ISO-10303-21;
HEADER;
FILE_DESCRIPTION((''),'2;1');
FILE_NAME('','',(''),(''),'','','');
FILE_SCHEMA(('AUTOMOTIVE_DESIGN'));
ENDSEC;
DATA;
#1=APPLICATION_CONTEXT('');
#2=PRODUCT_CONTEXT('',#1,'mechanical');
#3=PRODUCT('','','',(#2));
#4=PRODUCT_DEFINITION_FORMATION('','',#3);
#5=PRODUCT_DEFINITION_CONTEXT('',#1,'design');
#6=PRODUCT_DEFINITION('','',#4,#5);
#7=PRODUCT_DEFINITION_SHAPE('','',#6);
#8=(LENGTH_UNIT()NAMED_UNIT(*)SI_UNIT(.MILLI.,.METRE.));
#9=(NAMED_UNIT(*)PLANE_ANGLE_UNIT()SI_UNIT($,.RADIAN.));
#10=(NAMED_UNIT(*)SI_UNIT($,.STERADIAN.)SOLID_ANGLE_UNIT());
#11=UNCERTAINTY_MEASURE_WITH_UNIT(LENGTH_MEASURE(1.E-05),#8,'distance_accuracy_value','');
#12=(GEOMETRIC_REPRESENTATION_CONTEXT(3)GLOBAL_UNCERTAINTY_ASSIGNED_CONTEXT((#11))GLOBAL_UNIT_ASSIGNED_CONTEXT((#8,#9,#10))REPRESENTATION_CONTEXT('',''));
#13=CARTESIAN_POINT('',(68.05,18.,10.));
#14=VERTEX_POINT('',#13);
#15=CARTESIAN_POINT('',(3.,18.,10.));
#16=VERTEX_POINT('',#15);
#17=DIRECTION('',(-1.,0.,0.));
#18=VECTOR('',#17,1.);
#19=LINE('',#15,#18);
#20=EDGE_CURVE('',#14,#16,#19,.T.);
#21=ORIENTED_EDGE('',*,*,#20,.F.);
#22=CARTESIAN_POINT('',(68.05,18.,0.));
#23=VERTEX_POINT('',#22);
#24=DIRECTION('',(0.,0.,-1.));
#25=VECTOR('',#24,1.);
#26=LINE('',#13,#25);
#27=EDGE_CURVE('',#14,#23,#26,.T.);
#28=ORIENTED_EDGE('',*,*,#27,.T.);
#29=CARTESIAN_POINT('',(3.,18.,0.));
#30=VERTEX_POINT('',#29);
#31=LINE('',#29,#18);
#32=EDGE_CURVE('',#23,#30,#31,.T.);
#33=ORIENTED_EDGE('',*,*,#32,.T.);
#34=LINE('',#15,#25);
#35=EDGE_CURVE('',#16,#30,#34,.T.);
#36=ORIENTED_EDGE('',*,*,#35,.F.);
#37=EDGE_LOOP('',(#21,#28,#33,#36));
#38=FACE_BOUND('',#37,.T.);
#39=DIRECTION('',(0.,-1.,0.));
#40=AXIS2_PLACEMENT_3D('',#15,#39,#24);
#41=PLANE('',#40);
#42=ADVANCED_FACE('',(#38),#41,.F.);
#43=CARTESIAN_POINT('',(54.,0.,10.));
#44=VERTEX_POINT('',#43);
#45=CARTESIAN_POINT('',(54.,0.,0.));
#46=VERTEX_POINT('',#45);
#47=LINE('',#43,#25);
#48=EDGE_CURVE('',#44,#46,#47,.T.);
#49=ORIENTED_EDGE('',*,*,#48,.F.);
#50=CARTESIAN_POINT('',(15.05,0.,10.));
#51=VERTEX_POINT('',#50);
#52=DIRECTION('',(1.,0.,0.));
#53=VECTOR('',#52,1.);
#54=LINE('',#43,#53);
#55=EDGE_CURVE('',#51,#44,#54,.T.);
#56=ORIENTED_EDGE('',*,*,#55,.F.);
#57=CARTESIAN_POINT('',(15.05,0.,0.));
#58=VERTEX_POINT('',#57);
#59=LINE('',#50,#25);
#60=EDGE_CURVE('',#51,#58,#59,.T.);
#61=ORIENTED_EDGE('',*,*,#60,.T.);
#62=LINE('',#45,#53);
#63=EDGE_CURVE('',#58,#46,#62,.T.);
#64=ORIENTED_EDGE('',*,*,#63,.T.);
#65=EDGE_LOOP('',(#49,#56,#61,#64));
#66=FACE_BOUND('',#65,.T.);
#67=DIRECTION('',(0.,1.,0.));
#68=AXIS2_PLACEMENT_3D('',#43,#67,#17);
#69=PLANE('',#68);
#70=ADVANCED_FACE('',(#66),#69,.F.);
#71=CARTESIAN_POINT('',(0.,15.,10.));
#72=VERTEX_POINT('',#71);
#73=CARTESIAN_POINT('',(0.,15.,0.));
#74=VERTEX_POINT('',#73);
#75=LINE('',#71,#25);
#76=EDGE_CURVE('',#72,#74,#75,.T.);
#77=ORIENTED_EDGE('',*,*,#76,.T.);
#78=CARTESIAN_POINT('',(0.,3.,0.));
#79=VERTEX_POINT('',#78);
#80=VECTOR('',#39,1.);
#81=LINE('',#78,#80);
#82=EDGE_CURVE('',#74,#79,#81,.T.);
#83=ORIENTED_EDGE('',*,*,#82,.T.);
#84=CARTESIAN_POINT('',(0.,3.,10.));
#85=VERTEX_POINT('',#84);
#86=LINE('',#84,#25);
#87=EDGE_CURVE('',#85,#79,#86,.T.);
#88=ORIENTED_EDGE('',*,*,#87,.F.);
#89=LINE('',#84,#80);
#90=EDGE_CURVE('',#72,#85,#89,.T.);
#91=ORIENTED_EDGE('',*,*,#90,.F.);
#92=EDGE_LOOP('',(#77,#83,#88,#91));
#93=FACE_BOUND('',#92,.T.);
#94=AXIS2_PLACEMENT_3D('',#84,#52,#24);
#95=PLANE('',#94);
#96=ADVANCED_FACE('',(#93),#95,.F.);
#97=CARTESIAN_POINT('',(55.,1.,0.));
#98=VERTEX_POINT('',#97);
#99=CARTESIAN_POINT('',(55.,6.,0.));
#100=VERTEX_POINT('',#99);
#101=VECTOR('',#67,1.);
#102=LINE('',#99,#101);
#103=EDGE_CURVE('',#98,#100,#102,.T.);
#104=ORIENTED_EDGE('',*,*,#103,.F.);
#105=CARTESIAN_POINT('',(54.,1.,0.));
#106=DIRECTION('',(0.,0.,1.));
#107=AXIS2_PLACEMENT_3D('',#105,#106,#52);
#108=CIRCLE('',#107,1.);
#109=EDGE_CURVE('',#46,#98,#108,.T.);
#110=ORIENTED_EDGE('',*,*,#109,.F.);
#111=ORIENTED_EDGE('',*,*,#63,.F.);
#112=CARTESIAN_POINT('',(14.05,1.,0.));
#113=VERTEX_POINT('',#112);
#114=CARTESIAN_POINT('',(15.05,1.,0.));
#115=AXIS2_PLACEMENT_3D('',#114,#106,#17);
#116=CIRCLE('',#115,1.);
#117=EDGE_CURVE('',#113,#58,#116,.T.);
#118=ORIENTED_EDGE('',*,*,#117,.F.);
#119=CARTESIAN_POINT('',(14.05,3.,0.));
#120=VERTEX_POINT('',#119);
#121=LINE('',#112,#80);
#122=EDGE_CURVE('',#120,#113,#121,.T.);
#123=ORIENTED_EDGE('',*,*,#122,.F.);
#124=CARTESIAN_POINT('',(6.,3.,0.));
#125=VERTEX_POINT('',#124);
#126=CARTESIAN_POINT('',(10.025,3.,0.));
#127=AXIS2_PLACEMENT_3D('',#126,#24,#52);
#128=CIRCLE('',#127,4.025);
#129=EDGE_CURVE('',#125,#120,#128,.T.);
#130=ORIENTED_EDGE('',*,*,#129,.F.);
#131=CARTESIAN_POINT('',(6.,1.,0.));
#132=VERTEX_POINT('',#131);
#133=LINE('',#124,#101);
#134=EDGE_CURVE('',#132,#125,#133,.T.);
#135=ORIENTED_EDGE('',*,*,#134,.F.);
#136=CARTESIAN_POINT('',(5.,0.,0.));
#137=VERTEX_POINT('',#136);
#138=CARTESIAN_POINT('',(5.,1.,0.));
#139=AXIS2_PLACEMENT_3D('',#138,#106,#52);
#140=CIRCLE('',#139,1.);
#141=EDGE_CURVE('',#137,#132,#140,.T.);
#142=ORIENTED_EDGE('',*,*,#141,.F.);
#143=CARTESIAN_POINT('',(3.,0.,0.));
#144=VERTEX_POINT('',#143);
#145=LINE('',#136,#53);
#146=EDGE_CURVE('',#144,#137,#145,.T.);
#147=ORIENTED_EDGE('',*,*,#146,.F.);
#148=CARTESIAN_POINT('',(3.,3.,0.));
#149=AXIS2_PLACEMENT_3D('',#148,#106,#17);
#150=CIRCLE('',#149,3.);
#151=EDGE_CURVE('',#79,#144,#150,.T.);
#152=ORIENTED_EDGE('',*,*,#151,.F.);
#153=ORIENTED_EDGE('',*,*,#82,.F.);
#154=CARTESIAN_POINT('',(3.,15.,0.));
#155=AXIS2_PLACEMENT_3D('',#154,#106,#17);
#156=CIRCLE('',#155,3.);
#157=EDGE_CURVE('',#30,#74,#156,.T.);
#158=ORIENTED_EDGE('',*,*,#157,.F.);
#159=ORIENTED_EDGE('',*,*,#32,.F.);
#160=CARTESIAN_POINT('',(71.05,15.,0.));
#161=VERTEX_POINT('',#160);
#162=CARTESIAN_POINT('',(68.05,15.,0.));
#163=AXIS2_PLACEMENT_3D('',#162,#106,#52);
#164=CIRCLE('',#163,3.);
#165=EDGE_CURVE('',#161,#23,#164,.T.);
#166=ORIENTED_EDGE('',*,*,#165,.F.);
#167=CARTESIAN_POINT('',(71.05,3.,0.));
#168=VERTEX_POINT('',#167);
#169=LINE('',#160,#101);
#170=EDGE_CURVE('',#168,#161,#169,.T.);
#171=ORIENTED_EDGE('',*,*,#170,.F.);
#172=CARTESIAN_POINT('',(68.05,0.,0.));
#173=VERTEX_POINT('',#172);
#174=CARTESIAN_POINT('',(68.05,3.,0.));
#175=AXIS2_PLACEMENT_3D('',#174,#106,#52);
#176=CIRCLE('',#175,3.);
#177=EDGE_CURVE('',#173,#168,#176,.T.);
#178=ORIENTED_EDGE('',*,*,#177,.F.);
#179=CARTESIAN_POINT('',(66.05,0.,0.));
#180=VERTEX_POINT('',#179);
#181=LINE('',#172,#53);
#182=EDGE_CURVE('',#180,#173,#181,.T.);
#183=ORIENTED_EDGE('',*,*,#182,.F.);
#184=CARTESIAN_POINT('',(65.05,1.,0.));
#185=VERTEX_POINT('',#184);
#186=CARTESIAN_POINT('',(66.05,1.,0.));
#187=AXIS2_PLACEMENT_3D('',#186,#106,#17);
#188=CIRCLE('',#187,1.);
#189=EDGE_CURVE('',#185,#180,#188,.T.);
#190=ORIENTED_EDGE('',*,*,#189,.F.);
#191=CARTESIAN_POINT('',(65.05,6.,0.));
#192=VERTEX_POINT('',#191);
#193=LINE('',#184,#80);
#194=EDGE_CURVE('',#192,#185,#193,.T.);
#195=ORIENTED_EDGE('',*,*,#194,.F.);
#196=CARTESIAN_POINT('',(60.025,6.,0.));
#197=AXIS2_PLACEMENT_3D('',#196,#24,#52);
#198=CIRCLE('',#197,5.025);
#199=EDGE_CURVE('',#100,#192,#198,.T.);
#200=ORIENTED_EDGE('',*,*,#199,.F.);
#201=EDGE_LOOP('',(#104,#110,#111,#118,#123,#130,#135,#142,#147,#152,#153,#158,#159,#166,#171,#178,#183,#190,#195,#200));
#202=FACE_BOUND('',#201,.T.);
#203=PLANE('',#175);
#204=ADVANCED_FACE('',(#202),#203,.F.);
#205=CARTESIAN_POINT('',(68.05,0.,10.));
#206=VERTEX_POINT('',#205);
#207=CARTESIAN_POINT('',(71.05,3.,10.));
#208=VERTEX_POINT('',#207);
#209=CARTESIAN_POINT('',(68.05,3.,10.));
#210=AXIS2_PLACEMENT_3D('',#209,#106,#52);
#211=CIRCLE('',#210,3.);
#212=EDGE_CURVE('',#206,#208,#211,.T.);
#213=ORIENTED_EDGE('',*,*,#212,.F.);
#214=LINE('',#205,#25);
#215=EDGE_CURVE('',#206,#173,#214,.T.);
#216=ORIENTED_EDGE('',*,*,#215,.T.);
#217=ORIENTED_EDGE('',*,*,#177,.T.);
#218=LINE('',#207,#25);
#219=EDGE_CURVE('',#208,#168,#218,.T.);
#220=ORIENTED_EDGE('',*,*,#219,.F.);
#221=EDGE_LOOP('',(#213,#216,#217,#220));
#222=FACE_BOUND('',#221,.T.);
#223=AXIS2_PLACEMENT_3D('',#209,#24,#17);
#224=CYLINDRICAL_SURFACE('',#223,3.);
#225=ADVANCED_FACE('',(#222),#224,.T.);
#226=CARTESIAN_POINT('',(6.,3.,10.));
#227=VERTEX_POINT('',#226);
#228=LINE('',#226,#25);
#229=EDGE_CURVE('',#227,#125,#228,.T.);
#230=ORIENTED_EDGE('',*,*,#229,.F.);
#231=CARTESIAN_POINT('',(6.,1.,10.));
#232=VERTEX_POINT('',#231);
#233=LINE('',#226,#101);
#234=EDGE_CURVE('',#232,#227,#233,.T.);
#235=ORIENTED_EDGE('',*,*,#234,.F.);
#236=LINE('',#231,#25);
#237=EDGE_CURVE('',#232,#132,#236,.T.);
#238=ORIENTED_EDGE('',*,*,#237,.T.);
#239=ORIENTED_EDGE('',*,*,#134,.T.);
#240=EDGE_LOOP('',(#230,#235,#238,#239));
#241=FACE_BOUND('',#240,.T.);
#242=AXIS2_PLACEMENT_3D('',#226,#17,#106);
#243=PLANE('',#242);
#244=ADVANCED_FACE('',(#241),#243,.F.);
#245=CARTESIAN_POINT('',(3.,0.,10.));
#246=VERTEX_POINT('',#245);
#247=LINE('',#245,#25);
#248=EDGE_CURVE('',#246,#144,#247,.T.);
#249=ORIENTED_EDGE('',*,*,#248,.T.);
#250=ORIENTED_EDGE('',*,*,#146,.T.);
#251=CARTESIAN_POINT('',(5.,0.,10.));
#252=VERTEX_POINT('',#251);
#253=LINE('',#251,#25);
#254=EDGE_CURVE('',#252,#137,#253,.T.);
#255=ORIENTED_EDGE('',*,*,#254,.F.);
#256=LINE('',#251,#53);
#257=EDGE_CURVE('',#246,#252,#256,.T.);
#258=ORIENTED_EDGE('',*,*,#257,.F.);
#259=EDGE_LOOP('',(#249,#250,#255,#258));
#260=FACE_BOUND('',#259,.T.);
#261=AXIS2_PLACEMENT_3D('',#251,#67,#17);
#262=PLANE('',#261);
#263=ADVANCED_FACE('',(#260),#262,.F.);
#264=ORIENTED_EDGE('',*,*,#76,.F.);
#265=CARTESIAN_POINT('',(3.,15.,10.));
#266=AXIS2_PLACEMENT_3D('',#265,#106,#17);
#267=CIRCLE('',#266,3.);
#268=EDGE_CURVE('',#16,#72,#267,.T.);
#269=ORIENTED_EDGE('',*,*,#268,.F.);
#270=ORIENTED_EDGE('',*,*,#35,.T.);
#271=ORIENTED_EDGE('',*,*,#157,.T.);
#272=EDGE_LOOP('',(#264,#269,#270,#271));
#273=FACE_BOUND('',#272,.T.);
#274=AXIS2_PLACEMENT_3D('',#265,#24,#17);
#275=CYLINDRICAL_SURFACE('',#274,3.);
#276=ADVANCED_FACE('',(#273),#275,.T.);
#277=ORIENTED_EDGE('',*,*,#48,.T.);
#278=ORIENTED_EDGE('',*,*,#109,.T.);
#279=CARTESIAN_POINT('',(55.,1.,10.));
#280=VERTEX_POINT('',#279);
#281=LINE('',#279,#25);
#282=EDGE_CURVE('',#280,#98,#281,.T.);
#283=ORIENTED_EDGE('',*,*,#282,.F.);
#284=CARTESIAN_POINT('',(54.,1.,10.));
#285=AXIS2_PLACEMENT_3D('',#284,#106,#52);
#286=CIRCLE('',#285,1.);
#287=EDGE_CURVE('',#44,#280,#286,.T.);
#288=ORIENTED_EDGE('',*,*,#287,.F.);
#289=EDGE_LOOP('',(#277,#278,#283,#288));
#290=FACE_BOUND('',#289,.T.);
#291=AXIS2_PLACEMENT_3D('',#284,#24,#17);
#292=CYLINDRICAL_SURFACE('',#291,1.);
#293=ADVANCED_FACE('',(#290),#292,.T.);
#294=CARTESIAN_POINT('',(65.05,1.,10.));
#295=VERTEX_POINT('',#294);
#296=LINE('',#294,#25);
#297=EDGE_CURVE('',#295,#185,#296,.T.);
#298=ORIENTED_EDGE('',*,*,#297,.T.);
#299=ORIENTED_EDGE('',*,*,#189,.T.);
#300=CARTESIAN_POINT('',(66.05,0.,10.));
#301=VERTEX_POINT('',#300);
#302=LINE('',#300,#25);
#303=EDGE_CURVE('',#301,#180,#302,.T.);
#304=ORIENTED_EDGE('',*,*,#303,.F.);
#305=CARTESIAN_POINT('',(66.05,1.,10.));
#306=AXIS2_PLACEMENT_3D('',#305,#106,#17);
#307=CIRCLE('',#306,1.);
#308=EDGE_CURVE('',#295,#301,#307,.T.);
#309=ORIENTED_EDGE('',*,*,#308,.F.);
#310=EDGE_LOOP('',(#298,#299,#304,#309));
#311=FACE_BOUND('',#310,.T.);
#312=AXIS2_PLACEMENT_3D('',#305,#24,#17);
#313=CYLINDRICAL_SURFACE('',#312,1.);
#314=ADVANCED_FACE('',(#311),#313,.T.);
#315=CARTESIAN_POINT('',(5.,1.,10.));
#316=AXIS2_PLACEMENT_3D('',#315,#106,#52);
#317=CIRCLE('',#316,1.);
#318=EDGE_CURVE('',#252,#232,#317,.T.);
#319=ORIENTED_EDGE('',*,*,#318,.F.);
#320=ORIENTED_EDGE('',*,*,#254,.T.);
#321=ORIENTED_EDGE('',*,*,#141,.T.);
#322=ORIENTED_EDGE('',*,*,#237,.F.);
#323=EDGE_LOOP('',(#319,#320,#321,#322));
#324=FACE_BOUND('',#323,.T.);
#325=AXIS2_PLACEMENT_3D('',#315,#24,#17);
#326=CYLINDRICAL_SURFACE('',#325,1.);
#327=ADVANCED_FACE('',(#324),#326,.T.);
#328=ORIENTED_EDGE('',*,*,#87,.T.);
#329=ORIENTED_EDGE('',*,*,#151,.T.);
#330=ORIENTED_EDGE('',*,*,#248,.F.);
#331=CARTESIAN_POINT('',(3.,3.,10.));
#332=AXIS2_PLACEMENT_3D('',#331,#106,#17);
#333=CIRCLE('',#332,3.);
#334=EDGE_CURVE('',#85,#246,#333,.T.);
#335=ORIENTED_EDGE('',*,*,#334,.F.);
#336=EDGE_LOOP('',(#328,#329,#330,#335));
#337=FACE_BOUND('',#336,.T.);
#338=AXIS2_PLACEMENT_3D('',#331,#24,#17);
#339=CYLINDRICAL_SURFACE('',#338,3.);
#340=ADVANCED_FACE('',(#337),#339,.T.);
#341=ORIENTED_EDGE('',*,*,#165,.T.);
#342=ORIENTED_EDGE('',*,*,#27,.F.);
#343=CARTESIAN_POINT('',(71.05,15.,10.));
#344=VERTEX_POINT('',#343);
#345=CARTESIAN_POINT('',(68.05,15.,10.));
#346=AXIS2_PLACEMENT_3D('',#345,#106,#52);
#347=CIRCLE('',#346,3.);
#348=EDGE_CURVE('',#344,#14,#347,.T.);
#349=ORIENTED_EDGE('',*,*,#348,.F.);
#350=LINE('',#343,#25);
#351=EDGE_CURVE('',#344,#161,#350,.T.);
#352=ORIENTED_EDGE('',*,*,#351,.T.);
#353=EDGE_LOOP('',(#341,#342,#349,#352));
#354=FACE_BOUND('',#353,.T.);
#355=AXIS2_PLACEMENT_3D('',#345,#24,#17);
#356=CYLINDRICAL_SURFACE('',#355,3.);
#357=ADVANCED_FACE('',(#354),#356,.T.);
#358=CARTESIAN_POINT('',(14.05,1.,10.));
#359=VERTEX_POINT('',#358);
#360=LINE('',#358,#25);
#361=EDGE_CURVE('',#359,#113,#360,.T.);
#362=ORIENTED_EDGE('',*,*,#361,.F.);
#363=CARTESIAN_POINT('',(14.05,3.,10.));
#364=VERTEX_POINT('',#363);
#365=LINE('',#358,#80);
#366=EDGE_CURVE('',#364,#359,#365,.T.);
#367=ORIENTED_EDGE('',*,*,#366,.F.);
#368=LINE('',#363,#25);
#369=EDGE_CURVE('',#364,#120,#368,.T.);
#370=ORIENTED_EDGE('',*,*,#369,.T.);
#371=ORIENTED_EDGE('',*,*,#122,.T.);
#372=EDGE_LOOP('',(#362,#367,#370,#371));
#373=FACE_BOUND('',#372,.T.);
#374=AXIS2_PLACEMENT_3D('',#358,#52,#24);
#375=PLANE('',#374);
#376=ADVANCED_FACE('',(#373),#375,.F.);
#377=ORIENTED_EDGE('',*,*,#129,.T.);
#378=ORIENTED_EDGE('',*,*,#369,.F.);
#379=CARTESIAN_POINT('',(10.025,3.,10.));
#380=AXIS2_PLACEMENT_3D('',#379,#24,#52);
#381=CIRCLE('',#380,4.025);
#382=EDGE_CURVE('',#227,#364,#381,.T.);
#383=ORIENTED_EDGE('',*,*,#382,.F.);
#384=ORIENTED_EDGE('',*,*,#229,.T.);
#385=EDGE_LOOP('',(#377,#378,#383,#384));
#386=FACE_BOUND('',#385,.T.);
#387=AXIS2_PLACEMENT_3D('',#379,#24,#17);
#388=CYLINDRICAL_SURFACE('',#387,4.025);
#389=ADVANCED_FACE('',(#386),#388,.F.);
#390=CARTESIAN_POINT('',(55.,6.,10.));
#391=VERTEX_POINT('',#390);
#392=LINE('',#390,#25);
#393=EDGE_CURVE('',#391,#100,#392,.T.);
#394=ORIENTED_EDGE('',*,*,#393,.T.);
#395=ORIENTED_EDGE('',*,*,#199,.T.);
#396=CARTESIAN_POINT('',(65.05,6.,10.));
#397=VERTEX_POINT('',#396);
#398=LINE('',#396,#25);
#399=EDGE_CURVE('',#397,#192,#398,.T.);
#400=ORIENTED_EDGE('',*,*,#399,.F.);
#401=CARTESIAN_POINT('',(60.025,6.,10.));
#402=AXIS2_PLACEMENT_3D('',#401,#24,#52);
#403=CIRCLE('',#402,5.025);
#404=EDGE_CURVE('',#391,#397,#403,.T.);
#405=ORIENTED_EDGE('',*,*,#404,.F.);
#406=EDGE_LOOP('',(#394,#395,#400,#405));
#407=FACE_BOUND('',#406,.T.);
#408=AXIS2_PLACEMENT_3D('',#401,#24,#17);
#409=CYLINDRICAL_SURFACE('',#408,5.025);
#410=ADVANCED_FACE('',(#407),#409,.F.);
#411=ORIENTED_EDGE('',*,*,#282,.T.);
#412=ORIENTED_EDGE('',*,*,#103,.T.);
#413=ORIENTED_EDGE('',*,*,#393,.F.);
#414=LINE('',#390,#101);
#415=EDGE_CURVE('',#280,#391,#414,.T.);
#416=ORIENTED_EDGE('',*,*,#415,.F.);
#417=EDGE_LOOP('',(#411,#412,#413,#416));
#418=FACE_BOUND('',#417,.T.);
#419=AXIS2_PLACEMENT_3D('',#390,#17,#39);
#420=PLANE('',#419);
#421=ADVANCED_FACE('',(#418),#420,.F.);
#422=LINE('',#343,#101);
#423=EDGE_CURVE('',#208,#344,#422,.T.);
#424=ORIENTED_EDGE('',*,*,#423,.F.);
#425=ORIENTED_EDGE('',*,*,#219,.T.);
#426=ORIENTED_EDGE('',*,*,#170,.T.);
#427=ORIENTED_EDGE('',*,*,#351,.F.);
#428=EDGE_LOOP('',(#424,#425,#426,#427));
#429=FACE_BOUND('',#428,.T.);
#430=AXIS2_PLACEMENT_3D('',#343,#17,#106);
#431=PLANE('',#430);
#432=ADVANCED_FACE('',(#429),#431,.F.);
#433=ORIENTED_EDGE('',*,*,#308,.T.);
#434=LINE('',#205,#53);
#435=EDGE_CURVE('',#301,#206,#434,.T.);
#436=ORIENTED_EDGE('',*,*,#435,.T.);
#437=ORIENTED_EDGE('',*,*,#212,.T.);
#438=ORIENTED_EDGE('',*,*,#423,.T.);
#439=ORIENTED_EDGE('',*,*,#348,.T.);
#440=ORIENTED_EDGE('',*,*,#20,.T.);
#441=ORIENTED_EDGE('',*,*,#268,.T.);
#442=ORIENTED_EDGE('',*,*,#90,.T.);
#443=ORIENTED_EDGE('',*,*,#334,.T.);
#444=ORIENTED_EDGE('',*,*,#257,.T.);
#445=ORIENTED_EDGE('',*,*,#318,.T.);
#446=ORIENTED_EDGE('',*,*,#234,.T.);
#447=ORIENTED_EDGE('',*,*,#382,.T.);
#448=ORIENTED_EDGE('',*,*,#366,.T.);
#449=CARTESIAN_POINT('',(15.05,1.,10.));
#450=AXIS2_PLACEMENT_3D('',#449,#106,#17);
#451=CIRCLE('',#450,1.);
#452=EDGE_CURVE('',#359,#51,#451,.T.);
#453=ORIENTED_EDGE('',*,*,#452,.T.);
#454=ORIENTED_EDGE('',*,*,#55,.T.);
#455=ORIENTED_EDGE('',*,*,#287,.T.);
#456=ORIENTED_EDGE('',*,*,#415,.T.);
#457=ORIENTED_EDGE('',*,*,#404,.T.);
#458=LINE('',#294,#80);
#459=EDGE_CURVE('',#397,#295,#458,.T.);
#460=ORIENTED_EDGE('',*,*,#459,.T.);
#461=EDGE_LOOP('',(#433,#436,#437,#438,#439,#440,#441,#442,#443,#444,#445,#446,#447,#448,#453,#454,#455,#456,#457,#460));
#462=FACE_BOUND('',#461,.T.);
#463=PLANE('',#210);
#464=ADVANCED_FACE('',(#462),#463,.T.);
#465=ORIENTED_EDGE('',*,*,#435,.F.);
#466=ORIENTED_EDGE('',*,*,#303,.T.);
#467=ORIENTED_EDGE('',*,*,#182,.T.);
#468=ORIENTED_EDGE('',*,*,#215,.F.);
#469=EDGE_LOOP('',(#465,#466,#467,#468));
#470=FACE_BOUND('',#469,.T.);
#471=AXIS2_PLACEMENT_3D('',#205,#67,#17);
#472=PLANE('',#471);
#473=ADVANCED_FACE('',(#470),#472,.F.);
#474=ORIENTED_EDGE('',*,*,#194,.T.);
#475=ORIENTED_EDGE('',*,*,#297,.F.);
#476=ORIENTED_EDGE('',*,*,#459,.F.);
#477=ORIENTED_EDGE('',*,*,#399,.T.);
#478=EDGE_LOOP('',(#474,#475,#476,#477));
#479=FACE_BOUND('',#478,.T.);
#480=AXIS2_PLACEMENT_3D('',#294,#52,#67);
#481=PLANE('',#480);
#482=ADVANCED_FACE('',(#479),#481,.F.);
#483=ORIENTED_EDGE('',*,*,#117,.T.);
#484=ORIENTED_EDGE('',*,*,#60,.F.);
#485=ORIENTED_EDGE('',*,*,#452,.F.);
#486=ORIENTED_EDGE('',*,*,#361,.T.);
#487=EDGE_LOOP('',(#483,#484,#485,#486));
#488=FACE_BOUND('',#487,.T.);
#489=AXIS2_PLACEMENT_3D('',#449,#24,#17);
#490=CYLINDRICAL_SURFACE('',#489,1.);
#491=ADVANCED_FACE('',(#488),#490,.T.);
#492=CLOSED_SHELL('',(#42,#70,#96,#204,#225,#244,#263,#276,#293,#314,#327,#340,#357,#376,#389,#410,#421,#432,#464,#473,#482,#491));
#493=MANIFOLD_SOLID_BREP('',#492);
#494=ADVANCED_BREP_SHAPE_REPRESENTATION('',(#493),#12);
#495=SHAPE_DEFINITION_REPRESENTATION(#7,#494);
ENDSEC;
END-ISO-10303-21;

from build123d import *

# Parameters (mm, degrees)
BOSS_EXTRUDE1_DEPTH = 10


with BuildPart() as part:
    # Sketch1 → Boss-Extrude1 (new body)
    with BuildSketch(Plane.XY):
        with BuildLine():
            Line((6, 3), (6, 1))
            ThreePointArc((6, 1), (5.707106781, 0.292893219), (5, 0))
            Line((5, 0), (3, 0))
            ThreePointArc((3, 0), (0.878679656, 0.878679656), (0, 3))
            Line((0, 3), (0, 15))
            ThreePointArc((0, 15), (0.878679656, 17.121320344), (3, 18))
            Line((3, 18), (68.05, 18))
            ThreePointArc((68.05, 18), (70.171320344, 17.121320344), (71.05, 15))
            Line((71.05, 15), (71.05, 3))
            ThreePointArc((71.05, 3), (70.171320344, 0.878679656), (68.05, 0))
            Line((68.05, 0), (66.05, 0))
            ThreePointArc((66.05, 0), (65.342893219, 0.292893219), (65.05, 1))
            Line((65.05, 1), (65.05, 6))
            ThreePointArc((65.05, 6), (60.025, 11.025), (55, 6))
            Line((55, 6), (55, 1))
            ThreePointArc((55, 1), (54.707106781, 0.292893219), (54, 0))
            Line((54, 0), (15.05, 0))
            ThreePointArc((15.05, 0), (14.342893219, 0.292893219), (14.05, 1))
            Line((14.05, 1), (14.05, 3))
            ThreePointArc((14.05, 3), (10.025, 7.025), (6, 3))
        make_face()
    extrude(amount=BOSS_EXTRUDE1_DEPTH)


solid = part.part
